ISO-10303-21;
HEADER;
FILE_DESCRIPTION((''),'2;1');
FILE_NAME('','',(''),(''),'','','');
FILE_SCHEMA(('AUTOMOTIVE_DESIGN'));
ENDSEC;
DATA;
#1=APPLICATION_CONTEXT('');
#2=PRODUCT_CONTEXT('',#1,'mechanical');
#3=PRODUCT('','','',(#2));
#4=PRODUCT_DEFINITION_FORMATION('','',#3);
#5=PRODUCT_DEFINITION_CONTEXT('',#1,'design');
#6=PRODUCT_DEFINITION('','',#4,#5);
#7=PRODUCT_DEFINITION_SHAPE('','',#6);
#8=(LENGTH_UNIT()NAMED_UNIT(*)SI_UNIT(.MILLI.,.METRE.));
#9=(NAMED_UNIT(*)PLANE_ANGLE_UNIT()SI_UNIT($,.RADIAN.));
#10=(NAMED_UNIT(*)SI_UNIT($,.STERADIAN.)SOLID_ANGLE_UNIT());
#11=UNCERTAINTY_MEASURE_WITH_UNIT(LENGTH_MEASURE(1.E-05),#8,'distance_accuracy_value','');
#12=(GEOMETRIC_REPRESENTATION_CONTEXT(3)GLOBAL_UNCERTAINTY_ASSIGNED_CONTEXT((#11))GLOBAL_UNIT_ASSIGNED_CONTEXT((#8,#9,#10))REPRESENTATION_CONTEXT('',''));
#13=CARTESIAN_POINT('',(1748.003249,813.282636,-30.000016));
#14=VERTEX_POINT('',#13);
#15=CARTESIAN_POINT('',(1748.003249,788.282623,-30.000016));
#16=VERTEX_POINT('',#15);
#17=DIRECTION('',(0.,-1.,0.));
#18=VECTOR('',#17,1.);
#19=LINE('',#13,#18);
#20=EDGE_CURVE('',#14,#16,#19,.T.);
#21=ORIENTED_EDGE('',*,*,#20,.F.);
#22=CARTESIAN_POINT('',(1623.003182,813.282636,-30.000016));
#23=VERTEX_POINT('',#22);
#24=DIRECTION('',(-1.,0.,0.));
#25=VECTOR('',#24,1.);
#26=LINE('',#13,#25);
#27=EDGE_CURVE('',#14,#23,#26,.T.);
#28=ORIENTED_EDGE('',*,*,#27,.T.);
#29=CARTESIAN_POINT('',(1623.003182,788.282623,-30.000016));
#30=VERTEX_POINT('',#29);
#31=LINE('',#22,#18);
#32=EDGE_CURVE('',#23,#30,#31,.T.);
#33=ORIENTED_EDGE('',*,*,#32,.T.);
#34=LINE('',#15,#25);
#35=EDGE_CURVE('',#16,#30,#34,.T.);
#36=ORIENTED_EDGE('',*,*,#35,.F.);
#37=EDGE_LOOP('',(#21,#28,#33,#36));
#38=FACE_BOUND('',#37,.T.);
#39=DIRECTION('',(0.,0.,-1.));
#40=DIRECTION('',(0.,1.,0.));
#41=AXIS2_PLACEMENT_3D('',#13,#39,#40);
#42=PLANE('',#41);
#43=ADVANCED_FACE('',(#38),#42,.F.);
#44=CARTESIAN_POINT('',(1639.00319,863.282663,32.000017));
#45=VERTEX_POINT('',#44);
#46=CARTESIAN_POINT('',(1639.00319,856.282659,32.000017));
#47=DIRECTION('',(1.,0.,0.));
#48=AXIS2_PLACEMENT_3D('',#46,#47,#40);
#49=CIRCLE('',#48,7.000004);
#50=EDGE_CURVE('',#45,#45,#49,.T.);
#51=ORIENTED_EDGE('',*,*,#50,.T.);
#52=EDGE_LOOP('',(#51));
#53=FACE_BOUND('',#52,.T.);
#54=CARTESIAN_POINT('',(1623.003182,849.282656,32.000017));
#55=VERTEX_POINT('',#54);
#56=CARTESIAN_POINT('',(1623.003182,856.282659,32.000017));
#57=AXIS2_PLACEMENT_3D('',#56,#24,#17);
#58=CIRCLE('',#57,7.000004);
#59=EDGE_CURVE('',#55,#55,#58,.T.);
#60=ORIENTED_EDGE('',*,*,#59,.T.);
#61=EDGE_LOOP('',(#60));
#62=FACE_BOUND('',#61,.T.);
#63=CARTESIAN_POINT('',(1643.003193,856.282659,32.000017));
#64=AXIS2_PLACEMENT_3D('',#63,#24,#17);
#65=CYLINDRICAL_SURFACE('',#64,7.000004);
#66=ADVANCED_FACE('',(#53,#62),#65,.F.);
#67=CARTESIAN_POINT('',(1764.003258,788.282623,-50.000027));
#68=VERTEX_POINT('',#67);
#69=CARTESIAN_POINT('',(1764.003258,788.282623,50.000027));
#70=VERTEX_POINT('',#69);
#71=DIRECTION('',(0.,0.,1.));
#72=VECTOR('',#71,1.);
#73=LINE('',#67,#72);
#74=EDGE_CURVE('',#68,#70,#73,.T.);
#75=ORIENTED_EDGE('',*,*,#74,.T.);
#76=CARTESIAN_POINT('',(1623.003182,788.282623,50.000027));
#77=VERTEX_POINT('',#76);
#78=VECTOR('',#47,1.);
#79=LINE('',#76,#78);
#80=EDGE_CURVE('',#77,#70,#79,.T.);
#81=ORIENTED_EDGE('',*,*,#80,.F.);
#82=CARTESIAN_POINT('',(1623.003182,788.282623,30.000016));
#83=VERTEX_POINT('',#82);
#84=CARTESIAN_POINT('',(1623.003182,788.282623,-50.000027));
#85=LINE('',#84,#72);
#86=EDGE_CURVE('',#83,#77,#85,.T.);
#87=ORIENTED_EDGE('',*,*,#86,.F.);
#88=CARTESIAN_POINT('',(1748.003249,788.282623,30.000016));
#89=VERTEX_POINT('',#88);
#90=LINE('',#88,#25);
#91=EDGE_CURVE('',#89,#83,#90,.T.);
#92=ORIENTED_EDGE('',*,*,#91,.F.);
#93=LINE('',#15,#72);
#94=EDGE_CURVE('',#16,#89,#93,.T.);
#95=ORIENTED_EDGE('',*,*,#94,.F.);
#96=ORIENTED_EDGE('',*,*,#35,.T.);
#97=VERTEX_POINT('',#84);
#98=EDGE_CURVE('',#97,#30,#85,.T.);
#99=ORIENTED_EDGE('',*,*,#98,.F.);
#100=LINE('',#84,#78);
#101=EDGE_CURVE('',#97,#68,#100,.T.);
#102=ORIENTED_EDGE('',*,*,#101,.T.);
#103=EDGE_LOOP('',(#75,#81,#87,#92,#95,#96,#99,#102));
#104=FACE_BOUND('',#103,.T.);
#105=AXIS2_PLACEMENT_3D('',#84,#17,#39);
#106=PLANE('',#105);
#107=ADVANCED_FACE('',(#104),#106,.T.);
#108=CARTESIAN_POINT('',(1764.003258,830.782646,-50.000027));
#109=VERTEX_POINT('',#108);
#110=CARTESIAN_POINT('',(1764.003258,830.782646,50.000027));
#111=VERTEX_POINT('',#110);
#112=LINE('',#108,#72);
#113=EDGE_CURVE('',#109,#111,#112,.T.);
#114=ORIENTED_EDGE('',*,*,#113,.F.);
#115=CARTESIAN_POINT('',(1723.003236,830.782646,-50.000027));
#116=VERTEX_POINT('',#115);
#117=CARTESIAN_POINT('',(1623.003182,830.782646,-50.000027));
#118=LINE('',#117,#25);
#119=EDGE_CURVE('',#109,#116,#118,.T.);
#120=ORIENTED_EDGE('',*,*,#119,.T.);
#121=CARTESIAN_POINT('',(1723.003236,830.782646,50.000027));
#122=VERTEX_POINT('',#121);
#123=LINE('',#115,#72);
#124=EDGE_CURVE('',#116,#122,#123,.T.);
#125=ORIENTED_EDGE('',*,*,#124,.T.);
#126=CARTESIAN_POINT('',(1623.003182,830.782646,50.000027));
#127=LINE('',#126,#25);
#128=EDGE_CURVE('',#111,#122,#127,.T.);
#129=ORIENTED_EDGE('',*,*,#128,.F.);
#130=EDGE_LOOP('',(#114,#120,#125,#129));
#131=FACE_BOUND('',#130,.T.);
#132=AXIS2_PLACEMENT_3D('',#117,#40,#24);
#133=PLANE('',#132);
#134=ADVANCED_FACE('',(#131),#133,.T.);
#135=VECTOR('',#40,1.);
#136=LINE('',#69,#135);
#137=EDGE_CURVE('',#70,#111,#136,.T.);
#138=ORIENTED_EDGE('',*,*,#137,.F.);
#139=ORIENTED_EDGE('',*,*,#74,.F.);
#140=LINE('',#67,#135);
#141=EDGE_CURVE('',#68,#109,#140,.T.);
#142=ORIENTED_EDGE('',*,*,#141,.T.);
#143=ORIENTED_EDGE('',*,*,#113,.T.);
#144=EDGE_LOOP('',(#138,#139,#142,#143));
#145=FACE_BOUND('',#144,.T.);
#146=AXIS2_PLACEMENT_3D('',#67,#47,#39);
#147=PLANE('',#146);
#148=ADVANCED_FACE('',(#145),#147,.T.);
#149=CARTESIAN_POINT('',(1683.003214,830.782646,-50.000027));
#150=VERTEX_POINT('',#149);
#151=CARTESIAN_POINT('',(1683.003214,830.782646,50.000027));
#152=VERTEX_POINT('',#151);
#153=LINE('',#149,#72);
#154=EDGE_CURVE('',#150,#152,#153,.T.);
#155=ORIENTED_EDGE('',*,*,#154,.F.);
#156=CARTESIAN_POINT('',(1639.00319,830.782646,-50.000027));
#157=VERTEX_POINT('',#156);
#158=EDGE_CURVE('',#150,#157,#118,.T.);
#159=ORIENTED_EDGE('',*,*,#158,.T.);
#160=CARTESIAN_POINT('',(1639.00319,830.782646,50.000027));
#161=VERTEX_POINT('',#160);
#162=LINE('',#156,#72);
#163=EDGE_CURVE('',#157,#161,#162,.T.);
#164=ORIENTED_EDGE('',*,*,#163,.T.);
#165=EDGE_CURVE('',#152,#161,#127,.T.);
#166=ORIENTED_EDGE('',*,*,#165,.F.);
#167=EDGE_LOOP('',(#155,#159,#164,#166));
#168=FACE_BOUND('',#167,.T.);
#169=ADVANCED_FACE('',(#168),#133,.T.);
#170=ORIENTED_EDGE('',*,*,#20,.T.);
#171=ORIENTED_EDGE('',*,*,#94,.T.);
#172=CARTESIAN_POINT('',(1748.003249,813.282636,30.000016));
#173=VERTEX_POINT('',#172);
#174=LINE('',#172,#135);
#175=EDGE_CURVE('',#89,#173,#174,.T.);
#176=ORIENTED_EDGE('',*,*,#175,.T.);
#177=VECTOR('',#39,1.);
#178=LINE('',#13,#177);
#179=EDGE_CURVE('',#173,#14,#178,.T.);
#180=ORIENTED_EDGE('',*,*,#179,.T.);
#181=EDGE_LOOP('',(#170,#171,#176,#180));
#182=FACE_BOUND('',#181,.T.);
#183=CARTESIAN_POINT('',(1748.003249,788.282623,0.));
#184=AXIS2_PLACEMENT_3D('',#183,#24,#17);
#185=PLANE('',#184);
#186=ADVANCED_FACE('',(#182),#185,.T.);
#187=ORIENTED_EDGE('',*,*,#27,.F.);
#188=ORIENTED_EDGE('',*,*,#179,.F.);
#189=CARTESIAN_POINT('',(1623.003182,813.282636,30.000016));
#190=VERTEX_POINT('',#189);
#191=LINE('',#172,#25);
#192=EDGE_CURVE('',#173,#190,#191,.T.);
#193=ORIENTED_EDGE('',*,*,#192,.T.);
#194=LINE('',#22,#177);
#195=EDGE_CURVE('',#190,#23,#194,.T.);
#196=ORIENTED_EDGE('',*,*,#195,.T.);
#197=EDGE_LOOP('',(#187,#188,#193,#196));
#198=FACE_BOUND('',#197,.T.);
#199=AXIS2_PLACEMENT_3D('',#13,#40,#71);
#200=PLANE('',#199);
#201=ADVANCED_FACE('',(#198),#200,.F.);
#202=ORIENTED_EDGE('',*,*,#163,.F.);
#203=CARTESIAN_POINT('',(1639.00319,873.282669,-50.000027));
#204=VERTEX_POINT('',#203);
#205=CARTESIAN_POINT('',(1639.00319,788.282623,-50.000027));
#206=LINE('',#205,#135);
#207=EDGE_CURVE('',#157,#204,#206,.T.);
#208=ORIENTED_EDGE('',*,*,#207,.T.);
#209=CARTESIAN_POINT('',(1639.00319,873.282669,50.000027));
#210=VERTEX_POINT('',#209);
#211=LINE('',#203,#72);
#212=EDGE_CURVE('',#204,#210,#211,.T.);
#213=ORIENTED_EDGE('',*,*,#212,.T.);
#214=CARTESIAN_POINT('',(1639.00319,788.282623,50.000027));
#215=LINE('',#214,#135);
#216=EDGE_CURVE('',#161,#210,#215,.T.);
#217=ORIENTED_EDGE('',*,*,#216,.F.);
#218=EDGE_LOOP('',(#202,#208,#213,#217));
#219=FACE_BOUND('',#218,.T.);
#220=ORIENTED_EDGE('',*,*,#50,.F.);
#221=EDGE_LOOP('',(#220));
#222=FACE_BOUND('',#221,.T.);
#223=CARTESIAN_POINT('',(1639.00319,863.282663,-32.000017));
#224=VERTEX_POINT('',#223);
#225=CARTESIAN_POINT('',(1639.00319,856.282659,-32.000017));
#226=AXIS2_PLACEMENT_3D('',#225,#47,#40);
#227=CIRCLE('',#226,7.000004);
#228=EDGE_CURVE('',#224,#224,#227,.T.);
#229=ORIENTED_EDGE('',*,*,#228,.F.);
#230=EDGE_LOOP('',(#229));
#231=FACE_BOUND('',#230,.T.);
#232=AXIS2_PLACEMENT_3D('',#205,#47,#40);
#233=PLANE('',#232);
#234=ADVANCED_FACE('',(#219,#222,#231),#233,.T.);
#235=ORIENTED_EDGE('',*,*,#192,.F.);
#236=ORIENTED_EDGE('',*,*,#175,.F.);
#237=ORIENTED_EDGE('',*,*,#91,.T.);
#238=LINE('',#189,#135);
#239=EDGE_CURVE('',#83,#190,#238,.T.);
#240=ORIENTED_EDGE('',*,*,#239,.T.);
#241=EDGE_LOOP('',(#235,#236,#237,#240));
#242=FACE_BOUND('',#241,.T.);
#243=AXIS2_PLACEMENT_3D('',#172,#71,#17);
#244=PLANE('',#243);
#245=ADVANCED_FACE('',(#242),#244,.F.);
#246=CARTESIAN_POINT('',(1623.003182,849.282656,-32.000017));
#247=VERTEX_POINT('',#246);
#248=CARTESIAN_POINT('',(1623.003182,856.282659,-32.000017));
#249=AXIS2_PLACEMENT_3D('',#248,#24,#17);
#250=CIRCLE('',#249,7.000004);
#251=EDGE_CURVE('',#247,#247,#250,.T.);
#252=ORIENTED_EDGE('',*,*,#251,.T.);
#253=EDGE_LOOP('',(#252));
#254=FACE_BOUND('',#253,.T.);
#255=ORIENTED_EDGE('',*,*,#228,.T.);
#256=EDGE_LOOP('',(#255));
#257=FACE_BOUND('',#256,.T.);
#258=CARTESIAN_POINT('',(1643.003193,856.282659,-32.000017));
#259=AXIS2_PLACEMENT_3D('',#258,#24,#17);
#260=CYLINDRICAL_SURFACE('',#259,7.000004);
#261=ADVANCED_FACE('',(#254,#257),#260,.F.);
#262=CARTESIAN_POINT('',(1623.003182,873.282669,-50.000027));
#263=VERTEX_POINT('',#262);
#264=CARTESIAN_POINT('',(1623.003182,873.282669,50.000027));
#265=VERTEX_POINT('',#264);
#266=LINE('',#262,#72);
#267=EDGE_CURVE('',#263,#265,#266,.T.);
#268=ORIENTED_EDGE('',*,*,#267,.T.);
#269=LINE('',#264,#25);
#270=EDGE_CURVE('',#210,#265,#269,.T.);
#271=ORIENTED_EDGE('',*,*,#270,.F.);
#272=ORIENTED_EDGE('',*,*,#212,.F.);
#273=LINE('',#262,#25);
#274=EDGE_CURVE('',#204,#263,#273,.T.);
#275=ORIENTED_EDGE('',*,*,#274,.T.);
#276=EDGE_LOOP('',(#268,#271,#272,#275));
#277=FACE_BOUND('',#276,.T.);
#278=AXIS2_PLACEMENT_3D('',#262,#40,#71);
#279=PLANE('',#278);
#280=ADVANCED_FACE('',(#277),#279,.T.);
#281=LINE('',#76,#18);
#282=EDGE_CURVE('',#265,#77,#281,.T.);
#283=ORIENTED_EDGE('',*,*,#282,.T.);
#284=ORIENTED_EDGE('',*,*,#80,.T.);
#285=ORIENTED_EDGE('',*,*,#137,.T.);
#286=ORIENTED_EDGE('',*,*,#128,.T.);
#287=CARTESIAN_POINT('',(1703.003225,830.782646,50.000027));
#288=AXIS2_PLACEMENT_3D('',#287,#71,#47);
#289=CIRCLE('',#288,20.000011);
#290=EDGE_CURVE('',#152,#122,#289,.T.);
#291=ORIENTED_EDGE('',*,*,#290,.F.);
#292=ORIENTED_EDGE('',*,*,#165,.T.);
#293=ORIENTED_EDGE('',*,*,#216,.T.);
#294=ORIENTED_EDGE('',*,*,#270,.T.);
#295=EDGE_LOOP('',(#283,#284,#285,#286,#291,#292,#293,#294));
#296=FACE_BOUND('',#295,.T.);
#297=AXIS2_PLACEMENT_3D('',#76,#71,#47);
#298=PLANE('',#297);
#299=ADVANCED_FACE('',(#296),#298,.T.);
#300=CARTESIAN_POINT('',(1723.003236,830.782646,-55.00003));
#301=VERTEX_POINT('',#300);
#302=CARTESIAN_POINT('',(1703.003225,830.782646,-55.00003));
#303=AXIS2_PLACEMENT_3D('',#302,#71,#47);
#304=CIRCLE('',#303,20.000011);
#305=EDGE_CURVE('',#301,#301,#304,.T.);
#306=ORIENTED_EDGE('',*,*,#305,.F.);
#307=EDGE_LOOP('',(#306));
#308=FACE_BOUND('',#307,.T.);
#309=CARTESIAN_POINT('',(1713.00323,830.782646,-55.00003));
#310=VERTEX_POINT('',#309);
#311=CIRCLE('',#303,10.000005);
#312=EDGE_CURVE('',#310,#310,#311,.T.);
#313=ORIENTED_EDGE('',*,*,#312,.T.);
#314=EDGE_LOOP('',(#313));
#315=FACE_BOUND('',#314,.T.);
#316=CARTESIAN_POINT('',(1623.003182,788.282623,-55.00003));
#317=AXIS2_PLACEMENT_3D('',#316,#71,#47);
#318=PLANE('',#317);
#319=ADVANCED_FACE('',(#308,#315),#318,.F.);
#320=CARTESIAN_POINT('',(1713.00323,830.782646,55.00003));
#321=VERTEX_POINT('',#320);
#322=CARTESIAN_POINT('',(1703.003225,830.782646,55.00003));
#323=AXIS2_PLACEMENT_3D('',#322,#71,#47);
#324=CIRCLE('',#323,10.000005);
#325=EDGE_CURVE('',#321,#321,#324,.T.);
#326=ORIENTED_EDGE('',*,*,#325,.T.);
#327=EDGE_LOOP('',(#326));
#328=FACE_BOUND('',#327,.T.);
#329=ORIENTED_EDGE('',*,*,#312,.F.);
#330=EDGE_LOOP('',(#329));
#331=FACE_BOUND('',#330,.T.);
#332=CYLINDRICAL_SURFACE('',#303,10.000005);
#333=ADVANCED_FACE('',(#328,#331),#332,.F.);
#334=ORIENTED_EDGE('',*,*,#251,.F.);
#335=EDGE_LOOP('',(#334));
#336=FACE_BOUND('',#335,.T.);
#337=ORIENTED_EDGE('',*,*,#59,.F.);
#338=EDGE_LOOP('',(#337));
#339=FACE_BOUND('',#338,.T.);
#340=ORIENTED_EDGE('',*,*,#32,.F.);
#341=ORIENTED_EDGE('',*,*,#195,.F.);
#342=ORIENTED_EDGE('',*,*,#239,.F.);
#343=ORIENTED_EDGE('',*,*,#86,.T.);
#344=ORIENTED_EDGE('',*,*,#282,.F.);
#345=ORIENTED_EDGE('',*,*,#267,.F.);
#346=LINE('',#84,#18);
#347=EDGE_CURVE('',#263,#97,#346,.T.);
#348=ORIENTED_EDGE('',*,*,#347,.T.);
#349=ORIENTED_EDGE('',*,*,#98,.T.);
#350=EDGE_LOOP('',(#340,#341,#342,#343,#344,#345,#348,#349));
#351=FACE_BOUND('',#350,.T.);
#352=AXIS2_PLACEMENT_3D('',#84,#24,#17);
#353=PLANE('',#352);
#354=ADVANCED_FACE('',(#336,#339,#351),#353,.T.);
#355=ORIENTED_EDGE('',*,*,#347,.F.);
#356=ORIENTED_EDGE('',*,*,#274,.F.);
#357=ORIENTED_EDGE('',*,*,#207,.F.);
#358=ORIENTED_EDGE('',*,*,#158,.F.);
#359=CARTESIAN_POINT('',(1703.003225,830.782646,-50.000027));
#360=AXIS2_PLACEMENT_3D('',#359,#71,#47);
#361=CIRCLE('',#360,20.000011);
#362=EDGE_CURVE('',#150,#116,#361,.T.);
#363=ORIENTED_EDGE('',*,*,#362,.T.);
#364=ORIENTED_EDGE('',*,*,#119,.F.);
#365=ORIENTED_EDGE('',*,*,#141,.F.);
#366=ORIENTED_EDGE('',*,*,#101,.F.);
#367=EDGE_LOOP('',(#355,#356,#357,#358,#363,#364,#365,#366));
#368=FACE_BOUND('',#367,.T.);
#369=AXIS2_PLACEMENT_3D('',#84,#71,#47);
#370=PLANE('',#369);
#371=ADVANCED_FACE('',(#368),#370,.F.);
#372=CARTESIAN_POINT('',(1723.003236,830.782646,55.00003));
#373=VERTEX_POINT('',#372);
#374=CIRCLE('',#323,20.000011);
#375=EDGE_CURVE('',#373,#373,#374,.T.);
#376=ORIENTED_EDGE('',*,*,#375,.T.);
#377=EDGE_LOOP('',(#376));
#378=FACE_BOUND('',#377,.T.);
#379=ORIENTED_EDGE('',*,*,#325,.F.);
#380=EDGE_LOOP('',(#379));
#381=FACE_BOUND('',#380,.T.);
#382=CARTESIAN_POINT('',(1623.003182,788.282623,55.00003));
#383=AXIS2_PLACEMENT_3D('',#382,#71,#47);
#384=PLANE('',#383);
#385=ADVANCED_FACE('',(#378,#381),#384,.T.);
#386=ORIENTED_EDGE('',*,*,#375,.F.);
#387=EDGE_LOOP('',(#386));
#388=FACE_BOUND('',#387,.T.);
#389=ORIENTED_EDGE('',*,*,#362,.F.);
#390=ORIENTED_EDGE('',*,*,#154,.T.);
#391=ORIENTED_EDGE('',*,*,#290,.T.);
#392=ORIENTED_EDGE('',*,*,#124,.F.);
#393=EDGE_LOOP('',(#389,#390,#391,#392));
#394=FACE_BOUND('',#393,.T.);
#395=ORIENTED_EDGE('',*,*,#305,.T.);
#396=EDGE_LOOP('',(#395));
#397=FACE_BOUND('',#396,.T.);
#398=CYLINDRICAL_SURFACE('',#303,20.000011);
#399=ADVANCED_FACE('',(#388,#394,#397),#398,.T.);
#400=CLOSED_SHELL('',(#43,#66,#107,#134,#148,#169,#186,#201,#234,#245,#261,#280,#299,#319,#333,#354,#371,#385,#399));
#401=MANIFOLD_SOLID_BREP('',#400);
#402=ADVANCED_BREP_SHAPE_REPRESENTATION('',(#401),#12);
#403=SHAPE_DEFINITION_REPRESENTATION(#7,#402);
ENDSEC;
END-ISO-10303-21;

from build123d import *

# Parameters (mm, degrees)
BOSS_EXTRUDE1_DEPTH      = 1270
BOSS_EXTRUDE1_DEPTH_BACK = 1270
BOSS_EXTRUDE2_DEPTH      = 1397
BOSS_EXTRUDE2_DEPTH_BACK = 1397
SKETCH1_3_R              = 254
SKETCH2_W                = 1524
SKETCH2_H                = 635
CUT_EXTRUDE1_DEPTH       = 3175
SKETCH3_R                = 177.8
CUT_EXTRUDE2_DEPTH       = 508
SCALE1_SCALE             = 0.0393701


with BuildPart() as part:
    # Sketch1 → Boss-Extrude1 (new, two sides: drawn at the far end of the back side and taken through both)
    with BuildSketch(Plane.XY.offset(-BOSS_EXTRUDE1_DEPTH_BACK)):
        with BuildLine():
            Line((0, 2159), (0, 0))
            Line((0, 0), (3581.4, 0))
            Line((3581.4, 0), (3581.4, 1079.5))
            Line((3581.4, 1079.5), (2540, 1079.5))
            ThreePointArc((2540, 1079.5), (2032, 571.5), (1524, 1079.5))
            Line((1524, 1079.5), (406.4, 1079.5))
            Line((406.4, 1079.5), (406.4, 2159))
            Line((406.4, 2159), (0, 2159))
        make_face()
    extrude(amount=BOSS_EXTRUDE1_DEPTH + BOSS_EXTRUDE1_DEPTH_BACK)

    # Sketch1<3> → Boss-Extrude2 (add, two sides: drawn at the far end of the back side and taken through both)
    with BuildSketch(Plane.XY.offset(-BOSS_EXTRUDE2_DEPTH_BACK)):
        with BuildLine():
            ThreePointArc((1524, 1079.5), (2032, 571.5), (2540, 1079.5))
            ThreePointArc((2540, 1079.5), (2032, 1587.5), (1524, 1079.5))
        make_face()
        with Locations((2032, 1079.5)):
            Circle(SKETCH1_3_R, mode=Mode.SUBTRACT)
    extrude(amount=BOSS_EXTRUDE2_DEPTH + BOSS_EXTRUDE2_DEPTH_BACK)

    # Sketch2 → Cut-Extrude1 (cut)
    with BuildSketch(Plane.ZY):
        with Locations((0, 317.5)):
            Rectangle(SKETCH2_W, SKETCH2_H)
    extrude(amount=-CUT_EXTRUDE1_DEPTH, mode=Mode.SUBTRACT)

    # Sketch3 → Cut-Extrude2 (cut)
    with BuildSketch(Plane.ZY):
        with Locations((-812.8, 1727.2)):
            Circle(SKETCH3_R)
        with Locations((812.8, 1727.2)):
            Circle(SKETCH3_R)
    extrude(amount=-CUT_EXTRUDE2_DEPTH, mode=Mode.SUBTRACT)


with BuildPart() as part_1:
    # Scale1: scaled about (1689.519743013, 820.589305636, 0)
    add(part.part.scale(SCALE1_SCALE).moved(Location((1623.003181779, 788.282622614, 0))))


solid = part_1.part
